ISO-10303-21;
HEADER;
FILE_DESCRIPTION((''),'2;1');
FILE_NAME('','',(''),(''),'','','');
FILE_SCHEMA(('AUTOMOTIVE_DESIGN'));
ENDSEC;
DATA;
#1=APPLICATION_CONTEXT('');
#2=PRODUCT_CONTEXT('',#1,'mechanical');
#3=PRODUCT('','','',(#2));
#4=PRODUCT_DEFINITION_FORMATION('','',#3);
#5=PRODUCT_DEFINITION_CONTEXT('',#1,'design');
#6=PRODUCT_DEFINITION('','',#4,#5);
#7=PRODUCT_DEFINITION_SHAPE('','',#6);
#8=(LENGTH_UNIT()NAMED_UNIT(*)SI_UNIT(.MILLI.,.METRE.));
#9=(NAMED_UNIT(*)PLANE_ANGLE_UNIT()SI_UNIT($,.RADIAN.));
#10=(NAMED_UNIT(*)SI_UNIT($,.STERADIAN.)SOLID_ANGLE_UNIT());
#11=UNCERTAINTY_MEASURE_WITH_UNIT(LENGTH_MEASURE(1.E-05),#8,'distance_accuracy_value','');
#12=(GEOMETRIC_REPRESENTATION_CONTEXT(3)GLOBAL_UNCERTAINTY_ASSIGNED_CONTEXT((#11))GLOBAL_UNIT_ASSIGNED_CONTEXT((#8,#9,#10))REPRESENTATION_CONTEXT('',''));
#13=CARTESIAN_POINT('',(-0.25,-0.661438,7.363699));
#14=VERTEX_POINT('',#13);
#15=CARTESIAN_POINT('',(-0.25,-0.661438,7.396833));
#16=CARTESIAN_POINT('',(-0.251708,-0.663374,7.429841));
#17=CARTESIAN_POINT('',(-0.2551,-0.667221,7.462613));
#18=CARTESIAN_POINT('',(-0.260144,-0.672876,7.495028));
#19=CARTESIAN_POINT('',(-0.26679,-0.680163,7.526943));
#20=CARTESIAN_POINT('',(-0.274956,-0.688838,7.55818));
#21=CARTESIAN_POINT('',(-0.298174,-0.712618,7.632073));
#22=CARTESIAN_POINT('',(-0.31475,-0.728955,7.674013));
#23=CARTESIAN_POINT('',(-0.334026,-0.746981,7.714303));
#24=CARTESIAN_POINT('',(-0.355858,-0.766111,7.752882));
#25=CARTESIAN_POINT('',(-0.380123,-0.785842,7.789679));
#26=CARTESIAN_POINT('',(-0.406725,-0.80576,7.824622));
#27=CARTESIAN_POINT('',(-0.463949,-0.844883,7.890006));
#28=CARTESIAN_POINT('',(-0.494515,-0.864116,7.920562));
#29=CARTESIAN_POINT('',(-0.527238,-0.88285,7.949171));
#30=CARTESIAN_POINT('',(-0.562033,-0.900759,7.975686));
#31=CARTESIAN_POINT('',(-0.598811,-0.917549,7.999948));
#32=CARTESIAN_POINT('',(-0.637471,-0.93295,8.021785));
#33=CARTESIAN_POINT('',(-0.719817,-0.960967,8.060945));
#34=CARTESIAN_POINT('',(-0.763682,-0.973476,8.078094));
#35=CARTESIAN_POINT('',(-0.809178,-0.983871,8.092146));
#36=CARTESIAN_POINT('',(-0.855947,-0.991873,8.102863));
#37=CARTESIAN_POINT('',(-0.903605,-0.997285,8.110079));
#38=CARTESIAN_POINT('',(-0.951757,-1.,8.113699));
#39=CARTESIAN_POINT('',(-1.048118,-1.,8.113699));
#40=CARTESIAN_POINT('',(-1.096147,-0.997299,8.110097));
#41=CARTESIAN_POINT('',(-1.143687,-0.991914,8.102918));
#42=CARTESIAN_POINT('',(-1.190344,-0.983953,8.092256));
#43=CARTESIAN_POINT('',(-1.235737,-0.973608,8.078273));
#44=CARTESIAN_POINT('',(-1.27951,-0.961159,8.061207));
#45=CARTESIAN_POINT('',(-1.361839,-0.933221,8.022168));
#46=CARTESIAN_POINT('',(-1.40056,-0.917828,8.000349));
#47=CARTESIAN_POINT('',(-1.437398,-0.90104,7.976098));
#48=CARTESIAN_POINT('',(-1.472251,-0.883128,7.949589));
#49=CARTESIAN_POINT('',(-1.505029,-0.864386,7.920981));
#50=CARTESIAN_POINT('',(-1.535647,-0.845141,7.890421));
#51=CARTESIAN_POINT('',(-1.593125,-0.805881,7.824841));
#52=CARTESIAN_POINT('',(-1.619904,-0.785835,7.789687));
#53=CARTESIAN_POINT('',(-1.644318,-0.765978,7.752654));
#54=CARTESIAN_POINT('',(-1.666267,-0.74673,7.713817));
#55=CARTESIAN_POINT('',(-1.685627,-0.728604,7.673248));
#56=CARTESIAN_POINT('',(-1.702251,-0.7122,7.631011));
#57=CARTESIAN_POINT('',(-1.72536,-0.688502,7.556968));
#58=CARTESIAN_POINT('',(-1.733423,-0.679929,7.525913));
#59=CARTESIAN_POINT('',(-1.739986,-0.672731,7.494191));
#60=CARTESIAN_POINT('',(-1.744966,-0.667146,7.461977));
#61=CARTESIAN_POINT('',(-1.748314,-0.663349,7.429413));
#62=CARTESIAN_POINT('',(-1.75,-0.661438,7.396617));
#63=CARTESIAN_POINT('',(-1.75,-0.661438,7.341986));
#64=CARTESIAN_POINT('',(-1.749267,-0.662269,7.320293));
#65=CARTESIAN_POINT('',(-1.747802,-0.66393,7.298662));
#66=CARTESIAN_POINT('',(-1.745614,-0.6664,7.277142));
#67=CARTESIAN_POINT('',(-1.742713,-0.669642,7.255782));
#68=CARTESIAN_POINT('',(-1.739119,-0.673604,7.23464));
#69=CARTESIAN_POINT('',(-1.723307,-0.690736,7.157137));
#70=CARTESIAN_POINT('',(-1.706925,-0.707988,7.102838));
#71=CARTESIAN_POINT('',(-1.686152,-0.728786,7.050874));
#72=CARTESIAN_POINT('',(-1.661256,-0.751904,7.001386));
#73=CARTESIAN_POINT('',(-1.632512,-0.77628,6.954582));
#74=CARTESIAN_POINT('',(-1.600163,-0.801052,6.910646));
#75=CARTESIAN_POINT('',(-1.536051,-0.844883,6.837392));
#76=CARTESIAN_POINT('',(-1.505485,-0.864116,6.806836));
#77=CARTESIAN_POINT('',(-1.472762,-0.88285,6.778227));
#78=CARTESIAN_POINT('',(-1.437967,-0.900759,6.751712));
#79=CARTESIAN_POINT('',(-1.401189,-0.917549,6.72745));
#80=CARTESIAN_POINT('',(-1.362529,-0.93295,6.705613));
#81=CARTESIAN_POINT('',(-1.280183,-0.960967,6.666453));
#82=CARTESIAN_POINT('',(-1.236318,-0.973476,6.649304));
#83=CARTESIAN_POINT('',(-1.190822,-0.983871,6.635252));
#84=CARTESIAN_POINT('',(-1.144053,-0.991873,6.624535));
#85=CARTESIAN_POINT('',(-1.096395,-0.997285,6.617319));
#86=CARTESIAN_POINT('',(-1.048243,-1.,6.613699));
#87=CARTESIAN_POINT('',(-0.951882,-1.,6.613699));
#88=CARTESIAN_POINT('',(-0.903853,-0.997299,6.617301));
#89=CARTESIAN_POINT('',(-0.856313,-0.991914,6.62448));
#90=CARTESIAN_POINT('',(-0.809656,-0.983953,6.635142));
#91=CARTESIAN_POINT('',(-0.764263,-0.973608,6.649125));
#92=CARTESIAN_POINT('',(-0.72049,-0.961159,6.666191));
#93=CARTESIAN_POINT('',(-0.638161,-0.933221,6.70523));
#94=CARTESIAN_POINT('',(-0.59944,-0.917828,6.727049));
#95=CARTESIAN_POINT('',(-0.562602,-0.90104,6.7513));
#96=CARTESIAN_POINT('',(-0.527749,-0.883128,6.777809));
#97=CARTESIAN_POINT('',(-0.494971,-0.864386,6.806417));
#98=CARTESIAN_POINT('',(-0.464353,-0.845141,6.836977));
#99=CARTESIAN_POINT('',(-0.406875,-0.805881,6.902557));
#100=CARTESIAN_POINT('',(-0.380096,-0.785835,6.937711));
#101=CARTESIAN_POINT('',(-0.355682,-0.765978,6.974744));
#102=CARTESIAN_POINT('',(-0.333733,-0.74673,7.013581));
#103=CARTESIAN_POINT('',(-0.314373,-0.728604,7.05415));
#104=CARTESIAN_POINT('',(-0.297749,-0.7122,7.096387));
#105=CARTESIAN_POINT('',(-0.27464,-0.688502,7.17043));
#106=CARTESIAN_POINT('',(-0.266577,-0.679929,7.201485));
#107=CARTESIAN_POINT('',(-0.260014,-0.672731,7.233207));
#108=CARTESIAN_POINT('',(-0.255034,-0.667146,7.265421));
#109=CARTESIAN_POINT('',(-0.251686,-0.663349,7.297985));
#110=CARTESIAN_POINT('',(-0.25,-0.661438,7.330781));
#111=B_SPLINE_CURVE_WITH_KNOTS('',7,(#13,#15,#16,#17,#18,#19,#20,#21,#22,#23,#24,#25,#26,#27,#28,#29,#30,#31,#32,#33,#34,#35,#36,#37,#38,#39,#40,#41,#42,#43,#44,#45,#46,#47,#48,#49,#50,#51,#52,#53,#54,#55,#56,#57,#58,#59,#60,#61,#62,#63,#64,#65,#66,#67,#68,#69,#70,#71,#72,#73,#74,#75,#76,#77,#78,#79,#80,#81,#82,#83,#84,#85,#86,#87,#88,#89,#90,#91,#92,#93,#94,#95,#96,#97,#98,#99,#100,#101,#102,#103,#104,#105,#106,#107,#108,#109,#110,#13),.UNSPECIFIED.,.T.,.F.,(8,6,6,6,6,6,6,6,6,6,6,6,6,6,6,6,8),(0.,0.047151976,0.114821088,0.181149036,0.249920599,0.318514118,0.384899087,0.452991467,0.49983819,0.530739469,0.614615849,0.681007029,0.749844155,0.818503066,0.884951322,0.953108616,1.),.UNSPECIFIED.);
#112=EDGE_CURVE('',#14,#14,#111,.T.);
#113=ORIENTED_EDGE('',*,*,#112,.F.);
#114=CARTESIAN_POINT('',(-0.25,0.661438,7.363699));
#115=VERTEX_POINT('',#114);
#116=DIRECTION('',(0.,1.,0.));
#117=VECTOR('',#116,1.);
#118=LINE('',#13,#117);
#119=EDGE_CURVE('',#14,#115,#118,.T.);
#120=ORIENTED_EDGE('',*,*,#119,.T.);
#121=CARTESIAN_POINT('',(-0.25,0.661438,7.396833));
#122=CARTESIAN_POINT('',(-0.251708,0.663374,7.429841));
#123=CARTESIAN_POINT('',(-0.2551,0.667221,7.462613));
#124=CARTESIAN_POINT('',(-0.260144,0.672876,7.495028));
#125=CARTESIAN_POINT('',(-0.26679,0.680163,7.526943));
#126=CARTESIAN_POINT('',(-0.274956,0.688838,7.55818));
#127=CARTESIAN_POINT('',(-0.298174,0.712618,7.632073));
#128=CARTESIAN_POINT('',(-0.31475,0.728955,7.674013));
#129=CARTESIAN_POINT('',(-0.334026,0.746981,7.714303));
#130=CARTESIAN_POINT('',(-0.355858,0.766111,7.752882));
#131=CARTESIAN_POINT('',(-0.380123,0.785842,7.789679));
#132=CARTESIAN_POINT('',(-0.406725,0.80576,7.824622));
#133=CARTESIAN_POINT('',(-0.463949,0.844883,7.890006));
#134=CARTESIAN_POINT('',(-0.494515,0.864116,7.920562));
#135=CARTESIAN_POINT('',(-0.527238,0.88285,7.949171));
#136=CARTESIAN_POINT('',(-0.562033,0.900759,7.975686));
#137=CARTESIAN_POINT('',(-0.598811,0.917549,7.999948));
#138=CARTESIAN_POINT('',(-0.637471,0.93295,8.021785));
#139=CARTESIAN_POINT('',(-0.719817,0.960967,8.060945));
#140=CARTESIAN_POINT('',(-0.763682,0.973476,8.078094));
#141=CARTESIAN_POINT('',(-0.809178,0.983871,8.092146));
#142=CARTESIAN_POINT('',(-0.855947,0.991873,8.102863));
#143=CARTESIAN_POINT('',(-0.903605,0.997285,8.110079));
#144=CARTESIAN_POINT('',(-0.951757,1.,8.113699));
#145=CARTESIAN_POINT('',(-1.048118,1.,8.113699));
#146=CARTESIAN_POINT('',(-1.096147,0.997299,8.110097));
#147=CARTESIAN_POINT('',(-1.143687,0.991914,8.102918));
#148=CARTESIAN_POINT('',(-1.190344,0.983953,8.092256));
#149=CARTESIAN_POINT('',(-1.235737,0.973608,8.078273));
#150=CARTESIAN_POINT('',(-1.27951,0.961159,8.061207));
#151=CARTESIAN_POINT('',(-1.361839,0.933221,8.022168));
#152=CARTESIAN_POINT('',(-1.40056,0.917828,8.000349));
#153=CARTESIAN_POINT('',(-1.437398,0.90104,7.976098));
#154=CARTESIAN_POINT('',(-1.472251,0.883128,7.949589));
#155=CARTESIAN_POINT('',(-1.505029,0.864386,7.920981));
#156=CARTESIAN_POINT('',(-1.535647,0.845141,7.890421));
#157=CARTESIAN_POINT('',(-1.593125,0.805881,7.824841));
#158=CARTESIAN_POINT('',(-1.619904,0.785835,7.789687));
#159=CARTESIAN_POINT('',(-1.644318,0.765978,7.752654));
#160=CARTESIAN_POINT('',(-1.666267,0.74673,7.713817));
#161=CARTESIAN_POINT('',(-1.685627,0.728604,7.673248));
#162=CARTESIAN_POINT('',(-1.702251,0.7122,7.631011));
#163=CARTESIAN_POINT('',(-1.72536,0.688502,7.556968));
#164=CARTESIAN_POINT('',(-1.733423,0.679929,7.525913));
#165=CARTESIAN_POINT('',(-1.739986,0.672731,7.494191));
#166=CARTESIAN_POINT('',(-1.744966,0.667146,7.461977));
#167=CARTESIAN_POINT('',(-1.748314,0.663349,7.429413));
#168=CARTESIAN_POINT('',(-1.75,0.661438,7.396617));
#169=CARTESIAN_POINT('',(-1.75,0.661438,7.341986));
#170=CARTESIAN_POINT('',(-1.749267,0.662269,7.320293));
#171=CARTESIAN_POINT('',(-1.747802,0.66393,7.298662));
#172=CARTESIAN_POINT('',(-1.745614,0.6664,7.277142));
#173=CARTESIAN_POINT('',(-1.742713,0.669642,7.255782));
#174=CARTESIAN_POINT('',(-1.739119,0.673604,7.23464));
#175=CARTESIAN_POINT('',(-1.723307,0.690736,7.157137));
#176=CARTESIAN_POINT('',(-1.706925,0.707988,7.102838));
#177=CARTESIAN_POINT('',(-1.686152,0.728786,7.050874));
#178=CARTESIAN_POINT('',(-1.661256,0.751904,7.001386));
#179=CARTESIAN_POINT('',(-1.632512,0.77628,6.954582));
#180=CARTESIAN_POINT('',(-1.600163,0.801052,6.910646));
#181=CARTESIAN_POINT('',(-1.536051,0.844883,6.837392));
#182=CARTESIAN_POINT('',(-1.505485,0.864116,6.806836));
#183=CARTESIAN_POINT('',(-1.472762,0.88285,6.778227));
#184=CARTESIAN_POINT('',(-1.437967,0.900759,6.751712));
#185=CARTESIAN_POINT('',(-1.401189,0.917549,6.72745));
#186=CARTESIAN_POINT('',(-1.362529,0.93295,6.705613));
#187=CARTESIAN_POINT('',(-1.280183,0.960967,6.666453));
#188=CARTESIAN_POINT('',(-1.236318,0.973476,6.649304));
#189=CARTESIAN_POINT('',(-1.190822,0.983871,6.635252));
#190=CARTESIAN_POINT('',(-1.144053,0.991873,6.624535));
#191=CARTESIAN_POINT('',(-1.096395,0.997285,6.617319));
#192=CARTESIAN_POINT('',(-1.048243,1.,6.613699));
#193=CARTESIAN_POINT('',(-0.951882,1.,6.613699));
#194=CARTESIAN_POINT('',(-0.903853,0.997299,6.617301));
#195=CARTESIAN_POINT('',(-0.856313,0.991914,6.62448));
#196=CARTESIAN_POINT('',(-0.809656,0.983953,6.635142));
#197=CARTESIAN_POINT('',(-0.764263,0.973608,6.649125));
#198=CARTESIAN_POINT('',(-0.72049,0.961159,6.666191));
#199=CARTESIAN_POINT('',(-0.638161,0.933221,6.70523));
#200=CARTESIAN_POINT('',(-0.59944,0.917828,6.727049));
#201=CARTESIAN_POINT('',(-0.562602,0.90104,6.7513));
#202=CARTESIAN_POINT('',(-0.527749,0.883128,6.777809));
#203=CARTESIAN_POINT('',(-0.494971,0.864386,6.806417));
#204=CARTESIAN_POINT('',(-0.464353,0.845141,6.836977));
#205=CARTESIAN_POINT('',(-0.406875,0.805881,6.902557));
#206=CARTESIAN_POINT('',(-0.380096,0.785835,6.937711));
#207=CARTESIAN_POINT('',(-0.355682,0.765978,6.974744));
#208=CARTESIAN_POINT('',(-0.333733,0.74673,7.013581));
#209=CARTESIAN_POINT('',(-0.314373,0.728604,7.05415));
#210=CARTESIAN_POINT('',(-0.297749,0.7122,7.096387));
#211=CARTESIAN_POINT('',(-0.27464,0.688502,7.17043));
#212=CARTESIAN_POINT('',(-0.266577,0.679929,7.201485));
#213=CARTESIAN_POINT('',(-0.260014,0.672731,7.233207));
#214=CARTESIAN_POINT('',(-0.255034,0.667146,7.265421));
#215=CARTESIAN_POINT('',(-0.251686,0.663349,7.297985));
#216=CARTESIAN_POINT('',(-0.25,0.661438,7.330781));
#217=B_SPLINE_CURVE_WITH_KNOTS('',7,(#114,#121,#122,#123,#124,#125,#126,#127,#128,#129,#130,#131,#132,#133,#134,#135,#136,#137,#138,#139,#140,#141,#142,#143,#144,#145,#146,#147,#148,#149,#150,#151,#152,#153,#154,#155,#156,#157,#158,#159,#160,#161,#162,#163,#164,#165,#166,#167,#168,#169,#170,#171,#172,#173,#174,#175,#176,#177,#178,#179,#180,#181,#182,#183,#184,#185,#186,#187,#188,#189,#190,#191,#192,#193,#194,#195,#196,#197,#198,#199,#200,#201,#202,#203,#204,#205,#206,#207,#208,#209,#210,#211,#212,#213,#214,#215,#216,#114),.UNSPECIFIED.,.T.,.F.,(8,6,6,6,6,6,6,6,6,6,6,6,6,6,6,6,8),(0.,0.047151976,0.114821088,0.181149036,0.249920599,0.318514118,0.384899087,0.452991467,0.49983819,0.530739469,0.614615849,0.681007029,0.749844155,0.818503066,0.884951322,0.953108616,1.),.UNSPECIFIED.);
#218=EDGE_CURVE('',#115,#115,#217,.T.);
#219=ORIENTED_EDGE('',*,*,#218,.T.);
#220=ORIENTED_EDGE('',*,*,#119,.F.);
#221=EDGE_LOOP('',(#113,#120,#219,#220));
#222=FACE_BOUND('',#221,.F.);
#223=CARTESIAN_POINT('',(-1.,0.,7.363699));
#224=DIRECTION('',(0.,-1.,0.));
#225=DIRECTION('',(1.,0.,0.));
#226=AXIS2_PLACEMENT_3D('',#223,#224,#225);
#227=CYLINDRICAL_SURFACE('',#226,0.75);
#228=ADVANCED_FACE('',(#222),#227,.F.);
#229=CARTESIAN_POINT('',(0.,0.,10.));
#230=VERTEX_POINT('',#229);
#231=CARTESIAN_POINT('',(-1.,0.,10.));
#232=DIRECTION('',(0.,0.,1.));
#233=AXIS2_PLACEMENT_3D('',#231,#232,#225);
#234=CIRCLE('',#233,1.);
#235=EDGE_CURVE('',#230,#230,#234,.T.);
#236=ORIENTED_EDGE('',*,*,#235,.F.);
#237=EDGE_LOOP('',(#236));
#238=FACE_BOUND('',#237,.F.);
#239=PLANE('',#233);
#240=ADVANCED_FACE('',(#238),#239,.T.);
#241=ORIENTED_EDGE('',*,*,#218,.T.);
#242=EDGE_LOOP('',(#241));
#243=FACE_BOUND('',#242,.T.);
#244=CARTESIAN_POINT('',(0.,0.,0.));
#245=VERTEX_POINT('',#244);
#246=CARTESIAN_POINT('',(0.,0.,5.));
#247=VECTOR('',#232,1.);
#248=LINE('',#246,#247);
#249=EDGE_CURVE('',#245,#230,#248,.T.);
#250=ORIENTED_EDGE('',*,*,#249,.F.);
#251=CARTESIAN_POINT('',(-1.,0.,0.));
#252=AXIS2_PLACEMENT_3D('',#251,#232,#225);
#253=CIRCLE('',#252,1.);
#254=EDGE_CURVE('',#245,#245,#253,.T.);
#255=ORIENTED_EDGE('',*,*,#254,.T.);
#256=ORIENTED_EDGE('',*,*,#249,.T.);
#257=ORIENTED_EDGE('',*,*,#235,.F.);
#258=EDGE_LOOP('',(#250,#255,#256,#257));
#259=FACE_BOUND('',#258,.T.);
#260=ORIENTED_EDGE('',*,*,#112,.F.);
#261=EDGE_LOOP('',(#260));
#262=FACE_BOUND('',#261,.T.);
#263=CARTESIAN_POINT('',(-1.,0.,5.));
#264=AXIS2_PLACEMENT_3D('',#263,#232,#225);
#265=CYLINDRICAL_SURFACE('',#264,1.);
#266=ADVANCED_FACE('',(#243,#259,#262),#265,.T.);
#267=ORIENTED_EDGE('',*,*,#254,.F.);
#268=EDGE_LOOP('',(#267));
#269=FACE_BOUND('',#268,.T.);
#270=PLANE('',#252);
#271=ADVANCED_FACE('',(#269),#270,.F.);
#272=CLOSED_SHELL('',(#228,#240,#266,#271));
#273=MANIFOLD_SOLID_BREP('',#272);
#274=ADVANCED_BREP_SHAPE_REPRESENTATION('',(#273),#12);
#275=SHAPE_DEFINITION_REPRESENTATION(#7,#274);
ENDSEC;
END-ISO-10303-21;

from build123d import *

# Parameters (mm, degrees)
F0_W     = 1
F0_H     = 10
F2_R     = 0.75
F3_DEPTH = 250
F4_DEPTH = 25


with BuildPart() as f1:
    # F0 (on Front) → F1 (revolve)
    with BuildSketch(Plane.XZ):
        with Locations((-0.5, 5)):
            Rectangle(F0_W, F0_H)
    revolve(axis=Axis((-1, 0, 5), (0, 0, 1)))

    # F2 (on Front) → F3 (cut)
    with BuildSketch(Plane.XZ):
        with Locations((-1, 7.363699)):
            Circle(F2_R)
    extrude(amount=-F3_DEPTH, mode=Mode.SUBTRACT)

    # F2 (on Front) → F4 (cut)
    with BuildSketch(Plane.XZ):
        with Locations((-1, 7.363699)):
            Circle(F2_R)
    extrude(amount=F4_DEPTH, mode=Mode.SUBTRACT)


solid = f1.part
